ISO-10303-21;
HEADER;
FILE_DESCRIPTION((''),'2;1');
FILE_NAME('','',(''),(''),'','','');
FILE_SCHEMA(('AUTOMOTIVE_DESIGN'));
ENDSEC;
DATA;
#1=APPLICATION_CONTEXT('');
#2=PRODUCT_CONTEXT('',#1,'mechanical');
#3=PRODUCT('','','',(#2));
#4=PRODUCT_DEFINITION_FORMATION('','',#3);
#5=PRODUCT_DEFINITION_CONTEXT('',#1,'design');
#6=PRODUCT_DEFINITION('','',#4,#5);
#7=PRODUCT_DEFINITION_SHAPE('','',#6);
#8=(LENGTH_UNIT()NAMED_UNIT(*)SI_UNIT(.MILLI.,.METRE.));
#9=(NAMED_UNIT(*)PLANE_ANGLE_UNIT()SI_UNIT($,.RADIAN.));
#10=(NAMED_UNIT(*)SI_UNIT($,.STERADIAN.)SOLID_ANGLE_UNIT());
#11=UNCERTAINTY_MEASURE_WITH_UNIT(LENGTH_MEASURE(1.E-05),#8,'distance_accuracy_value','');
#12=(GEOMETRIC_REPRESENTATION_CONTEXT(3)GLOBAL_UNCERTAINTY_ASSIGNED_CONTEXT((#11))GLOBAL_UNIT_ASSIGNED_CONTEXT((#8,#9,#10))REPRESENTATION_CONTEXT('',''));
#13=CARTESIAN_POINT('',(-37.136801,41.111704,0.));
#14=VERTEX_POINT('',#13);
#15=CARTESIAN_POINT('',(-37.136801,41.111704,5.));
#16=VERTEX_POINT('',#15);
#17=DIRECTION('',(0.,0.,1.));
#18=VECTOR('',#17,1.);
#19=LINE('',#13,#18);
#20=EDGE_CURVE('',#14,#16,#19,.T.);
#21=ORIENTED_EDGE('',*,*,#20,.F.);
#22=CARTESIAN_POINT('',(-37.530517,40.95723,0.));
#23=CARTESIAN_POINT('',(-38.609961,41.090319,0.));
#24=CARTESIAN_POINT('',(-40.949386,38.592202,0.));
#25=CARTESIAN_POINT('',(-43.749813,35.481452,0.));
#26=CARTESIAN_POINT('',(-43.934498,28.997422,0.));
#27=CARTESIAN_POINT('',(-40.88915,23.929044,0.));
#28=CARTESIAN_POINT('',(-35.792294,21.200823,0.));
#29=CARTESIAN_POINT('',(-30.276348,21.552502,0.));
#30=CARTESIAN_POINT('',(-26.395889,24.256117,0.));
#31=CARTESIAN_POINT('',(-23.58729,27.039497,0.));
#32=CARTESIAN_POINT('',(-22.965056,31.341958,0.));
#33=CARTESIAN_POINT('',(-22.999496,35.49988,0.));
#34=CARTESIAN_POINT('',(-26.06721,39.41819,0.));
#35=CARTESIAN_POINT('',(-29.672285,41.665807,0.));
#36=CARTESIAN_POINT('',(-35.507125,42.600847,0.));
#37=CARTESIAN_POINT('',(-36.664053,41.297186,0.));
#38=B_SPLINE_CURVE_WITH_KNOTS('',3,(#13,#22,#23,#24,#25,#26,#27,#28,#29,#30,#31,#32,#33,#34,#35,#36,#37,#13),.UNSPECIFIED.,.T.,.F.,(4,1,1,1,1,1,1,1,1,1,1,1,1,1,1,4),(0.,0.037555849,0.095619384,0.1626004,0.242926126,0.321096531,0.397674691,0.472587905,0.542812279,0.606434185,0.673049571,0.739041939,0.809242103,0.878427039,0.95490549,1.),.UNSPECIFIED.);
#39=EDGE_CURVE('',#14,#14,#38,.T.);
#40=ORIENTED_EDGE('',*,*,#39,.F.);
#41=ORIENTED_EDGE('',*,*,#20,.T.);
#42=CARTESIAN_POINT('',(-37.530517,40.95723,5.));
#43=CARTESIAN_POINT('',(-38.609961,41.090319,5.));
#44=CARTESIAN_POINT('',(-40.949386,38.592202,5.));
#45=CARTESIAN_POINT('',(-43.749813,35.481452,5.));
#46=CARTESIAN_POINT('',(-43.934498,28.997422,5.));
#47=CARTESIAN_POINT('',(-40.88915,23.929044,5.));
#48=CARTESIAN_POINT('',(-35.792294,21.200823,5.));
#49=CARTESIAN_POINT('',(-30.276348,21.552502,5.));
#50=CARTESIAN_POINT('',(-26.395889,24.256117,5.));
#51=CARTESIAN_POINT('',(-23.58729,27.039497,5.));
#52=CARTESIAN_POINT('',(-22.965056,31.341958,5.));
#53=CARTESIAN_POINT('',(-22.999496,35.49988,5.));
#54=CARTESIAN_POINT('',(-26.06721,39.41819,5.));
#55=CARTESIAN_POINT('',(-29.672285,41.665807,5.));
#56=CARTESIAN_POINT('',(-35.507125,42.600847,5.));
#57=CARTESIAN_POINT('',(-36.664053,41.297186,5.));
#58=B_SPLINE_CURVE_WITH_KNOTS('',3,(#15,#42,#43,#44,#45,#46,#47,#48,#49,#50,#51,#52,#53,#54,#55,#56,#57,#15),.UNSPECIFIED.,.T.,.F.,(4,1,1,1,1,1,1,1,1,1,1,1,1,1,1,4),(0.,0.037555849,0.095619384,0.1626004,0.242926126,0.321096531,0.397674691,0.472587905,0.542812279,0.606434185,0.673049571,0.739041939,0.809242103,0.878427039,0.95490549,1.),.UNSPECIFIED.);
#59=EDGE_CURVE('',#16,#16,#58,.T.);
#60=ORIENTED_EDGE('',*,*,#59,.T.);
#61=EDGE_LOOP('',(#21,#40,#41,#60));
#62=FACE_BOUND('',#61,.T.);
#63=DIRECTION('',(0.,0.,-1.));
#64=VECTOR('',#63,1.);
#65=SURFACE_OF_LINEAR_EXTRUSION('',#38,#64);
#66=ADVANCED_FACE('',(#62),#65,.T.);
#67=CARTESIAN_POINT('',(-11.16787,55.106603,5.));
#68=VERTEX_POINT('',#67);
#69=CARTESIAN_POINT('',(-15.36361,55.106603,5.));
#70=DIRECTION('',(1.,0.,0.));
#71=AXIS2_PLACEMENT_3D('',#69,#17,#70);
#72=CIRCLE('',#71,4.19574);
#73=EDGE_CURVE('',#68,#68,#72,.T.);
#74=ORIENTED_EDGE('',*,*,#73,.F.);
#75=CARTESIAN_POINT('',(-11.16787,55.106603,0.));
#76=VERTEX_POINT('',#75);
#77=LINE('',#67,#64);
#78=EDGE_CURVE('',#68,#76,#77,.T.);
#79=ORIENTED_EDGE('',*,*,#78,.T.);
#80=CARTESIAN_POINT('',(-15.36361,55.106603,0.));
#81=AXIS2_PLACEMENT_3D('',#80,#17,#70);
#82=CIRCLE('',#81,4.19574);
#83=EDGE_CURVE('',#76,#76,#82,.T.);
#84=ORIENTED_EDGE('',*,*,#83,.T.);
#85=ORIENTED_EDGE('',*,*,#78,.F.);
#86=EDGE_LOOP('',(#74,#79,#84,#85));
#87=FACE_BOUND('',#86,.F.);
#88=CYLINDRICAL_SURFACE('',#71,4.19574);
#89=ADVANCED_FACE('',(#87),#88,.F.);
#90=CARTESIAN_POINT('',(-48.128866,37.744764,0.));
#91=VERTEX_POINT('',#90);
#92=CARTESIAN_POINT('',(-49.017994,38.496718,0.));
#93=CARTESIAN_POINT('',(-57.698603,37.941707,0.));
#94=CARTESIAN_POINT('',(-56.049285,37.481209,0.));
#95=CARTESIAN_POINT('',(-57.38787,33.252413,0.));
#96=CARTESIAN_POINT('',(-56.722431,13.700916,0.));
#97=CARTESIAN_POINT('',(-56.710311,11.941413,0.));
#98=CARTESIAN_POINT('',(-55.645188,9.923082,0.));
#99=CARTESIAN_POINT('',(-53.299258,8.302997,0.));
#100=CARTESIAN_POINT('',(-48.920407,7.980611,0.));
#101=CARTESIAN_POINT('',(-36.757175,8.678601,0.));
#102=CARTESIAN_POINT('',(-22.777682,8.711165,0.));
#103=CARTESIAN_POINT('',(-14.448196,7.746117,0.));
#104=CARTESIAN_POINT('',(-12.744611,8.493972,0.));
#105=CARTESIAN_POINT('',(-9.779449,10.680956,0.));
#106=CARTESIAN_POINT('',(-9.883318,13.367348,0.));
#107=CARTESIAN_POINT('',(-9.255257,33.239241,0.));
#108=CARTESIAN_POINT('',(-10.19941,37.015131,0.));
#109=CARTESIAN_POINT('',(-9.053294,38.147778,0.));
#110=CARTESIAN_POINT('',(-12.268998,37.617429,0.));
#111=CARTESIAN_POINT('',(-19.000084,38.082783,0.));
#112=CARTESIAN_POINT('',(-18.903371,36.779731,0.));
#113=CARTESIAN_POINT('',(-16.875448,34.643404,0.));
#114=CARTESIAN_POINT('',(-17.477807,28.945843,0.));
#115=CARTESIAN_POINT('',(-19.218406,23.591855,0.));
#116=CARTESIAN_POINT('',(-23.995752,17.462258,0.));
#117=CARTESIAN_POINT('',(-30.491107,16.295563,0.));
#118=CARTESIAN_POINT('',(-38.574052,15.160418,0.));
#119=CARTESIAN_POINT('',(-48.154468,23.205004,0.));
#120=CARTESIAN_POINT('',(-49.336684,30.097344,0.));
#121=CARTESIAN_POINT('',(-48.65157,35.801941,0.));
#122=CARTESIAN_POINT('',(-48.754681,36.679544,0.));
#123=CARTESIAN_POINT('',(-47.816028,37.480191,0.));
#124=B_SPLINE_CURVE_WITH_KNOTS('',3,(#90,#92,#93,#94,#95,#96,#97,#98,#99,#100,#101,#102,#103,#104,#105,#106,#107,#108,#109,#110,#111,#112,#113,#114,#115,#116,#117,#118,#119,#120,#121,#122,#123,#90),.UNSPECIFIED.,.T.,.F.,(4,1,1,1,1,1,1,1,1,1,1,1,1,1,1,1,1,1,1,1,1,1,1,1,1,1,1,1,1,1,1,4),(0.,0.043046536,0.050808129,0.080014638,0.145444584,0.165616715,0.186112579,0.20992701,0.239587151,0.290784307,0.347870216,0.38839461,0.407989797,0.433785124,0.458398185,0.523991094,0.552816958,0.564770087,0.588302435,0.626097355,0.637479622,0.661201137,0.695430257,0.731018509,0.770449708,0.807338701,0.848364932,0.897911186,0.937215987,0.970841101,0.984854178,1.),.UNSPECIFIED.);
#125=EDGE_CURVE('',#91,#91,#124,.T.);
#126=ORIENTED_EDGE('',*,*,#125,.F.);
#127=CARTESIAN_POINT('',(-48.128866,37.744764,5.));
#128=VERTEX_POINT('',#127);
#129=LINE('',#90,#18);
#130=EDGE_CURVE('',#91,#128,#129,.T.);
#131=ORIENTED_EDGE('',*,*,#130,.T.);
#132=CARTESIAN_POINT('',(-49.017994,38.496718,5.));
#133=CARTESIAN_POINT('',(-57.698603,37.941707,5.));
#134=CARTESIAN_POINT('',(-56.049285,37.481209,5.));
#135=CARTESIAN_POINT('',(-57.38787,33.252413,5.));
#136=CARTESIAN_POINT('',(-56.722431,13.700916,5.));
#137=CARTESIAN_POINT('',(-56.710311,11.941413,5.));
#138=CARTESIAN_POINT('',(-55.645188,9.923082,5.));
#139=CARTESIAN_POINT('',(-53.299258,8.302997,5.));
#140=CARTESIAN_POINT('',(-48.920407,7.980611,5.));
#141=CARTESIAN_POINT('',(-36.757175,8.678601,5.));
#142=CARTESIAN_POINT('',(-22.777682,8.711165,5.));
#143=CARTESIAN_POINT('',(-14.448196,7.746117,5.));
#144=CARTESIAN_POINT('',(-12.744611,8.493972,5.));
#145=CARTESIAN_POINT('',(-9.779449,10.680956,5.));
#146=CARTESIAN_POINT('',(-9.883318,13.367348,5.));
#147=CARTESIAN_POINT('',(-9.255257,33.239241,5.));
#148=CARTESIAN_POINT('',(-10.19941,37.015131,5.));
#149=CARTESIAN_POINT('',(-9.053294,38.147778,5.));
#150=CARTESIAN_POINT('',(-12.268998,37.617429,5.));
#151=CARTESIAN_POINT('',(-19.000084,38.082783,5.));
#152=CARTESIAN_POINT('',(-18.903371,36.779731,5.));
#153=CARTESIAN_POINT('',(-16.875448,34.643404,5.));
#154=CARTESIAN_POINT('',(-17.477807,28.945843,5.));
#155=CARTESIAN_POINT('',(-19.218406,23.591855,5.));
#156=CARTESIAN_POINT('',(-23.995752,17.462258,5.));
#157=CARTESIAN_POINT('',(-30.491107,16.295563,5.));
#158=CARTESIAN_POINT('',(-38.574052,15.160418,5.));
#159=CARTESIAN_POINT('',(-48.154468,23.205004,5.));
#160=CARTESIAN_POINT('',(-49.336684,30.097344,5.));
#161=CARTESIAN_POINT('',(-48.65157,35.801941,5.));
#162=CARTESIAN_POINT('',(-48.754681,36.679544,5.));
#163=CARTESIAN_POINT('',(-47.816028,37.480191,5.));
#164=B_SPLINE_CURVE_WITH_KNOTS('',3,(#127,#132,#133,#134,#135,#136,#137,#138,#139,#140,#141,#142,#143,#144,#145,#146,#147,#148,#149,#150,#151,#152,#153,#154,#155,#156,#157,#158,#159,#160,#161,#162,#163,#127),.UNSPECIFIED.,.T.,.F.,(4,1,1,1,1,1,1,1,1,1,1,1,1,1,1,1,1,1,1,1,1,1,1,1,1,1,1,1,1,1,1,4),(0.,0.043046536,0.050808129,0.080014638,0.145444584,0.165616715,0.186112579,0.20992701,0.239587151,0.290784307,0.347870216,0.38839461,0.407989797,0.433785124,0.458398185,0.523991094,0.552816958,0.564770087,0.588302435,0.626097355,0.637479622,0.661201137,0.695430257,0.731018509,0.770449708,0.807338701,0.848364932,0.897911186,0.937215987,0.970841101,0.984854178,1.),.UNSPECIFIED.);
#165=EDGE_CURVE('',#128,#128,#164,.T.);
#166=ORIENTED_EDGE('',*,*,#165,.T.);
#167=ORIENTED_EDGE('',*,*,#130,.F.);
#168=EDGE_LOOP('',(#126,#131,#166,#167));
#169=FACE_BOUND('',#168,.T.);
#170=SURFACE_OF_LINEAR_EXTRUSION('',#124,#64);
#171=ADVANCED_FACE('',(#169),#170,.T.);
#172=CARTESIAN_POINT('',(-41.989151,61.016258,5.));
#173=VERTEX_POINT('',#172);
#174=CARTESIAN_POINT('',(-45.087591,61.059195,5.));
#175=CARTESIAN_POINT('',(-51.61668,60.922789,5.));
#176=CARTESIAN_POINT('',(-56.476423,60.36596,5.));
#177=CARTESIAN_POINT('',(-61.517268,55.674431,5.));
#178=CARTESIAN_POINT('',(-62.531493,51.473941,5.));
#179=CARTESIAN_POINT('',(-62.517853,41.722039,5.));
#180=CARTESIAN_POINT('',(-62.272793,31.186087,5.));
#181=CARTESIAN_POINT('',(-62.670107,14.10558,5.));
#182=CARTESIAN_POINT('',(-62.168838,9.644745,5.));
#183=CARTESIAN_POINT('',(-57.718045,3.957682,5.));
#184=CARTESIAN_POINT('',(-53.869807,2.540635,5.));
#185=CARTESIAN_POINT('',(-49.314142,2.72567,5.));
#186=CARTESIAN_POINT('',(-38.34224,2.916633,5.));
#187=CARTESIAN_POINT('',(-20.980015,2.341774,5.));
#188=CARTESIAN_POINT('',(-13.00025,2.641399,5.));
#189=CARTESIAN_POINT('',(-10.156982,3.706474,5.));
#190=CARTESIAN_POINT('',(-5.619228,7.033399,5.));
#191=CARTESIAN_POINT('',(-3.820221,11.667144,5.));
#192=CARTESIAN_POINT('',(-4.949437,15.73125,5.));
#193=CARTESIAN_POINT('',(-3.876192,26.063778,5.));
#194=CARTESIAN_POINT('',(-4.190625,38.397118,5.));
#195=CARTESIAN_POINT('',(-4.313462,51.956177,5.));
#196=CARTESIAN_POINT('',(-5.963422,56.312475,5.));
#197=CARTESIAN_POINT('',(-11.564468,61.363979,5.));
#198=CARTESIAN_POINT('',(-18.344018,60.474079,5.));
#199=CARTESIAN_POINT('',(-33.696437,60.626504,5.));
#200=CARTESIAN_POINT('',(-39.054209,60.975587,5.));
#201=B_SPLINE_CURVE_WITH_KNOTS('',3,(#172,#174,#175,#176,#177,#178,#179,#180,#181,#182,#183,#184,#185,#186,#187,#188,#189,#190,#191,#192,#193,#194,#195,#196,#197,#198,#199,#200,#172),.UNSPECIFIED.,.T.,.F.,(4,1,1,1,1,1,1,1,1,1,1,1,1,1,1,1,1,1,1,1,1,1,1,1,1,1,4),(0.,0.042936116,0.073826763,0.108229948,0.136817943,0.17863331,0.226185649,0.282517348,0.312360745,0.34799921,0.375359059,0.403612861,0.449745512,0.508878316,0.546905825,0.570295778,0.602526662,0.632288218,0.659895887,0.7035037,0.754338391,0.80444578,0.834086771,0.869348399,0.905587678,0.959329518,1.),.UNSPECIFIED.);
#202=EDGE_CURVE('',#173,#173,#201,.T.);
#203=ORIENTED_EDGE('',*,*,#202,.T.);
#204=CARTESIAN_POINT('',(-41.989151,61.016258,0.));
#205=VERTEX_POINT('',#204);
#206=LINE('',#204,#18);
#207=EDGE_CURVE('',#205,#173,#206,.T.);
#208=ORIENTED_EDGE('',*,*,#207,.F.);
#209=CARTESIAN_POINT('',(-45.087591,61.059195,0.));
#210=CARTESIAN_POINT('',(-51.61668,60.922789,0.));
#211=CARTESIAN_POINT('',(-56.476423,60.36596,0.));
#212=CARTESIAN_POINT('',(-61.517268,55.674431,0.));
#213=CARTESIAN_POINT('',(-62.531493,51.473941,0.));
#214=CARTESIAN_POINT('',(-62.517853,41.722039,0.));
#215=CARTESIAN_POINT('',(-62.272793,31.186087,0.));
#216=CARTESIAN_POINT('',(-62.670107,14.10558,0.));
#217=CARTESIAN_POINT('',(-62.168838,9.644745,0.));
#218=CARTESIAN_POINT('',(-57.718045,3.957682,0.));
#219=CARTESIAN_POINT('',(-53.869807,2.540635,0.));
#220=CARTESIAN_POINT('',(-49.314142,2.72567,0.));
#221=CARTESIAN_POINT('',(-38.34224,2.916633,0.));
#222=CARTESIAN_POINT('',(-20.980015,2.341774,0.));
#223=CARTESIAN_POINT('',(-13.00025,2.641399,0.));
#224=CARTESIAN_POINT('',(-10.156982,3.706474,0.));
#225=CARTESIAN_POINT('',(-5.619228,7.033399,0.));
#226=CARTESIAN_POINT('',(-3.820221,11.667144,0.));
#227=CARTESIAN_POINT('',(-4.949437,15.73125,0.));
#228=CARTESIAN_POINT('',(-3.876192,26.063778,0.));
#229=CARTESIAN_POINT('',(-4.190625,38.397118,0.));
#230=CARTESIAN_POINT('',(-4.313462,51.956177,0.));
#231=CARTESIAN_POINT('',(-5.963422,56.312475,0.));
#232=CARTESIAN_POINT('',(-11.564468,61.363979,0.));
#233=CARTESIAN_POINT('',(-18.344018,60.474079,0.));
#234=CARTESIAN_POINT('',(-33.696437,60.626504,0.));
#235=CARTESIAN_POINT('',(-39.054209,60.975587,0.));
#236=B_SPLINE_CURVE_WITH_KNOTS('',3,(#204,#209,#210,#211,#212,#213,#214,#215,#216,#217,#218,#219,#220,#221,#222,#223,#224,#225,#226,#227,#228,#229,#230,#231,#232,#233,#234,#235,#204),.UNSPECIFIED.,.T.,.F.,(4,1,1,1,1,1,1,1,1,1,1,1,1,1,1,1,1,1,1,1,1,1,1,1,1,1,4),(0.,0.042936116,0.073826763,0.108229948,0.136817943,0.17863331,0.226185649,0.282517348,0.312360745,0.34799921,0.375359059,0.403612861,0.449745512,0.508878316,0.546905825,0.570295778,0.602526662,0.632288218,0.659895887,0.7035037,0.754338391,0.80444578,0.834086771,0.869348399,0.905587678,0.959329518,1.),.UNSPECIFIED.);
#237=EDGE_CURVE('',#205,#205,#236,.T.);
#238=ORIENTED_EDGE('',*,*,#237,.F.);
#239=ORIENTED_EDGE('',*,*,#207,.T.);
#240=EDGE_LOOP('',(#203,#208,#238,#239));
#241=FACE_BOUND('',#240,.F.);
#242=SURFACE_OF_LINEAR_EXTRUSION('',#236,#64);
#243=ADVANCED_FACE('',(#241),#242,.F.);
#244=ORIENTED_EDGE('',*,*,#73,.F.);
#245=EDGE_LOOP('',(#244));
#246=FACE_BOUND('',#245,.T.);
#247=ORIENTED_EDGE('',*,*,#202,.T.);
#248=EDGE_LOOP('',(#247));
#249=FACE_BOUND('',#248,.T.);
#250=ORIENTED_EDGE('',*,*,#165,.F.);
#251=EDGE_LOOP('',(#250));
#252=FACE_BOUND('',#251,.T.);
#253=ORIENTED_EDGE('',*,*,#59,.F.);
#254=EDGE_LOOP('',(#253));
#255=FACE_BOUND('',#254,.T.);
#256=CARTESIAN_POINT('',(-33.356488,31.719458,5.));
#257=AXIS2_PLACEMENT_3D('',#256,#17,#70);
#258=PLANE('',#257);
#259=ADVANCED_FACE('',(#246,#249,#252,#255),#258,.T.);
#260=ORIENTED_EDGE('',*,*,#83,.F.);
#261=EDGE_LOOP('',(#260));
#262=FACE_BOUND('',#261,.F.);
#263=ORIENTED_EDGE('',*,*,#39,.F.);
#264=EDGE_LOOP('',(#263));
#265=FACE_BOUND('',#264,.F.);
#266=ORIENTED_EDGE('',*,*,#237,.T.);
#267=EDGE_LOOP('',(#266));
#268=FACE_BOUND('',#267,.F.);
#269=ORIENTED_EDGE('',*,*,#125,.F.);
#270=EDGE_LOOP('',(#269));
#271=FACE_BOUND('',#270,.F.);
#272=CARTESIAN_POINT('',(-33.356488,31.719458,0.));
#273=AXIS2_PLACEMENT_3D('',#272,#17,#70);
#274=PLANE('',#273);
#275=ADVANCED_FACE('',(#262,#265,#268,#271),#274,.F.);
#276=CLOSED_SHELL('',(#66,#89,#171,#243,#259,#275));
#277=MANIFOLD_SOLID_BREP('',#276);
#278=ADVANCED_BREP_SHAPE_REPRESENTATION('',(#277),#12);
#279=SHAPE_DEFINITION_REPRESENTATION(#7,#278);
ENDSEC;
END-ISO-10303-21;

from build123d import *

# Parameters (mm, degrees)
F1_DEPTH = 5
F2_R     = 4.1957402055
F3_DEPTH = 5


with BuildPart() as f1:
    # F0 (on Top) → F1 (new body)
    with BuildSketch(Plane.XY):
        with BuildLine():
            add(Edge.make_bspline(
                [(-41.9891513884, 61.0162578523), (-45.0875907511, 61.0591948034), (-51.6166800483, 60.9227890538), (-56.4764227085, 60.3659597972), (-61.5172684029, 55.6744307545), (-62.5314929926, 51.473941242), (-62.5178528619, 41.7220387292), (-62.2727928866, 31.186087383), (-62.6701071498, 14.1055798656), (-62.1688376347, 9.6447450556), (-57.718044637, 3.9576818298), (-53.8698065032, 2.5406350813), (-49.3141423448, 2.7256698678), (-38.3422401008, 2.9166328899), (-20.9800154438, 2.3417741933), (-13.0002502084, 2.6413988836), (-10.1569819552, 3.7064735755), (-5.6192278214, 7.0333987942), (-3.8202210476, 11.667144241), (-4.9494366363, 15.7312497453), (-3.8761922032, 26.0637779537), (-4.1906252817, 38.3971176223), (-4.3134623912, 51.9561767207), (-5.9634216252, 56.3124754319), (-11.5644676321, 61.3639785058), (-18.3440176038, 60.4740791891), (-33.6964370621, 60.6265044862), (-39.0542090925, 60.9755865792), (-41.9891513884, 61.0162578523)],
                knots=[0, 0, 0, 0, 0.0429361156, 0.0738267634, 0.1082299477, 0.1368179428, 0.1786333102, 0.2261856486, 0.2825173475, 0.3123607454, 0.3479992102, 0.3753590592, 0.4036128612, 0.449745512, 0.5088783159, 0.5469058247, 0.5702957776, 0.6025266615, 0.6322882182, 0.6598958872, 0.7035037003, 0.7543383914, 0.8044457801, 0.8340867712, 0.8693483995, 0.9055876779, 0.9593295182, 1, 1, 1, 1], degree=3))
        make_face()
        with BuildLine():
            add(Edge.make_bspline(
                [(-48.1288656592, 37.7447642386), (-49.0179938095, 38.4967180231), (-57.6986033983, 37.9417066646), (-56.0492846949, 37.4812093022), (-57.3878696396, 33.2524131809), (-56.7224314764, 13.7009162316), (-56.7103106019, 11.9414125292), (-55.6451880606, 9.9230821612), (-53.2992582968, 8.3029974234), (-48.9204074853, 7.9806110007), (-36.7571749604, 8.6786010286), (-22.7776818189, 8.7111648316), (-14.4481958763, 7.7461165637), (-12.7446111061, 8.4939722767), (-9.7794488313, 10.6809562199), (-9.8833179098, 13.3673479929), (-9.2552574775, 33.2392408922), (-10.1994103117, 37.0151313271), (-9.0532935014, 38.1477776436), (-12.2689984098, 37.6174289043), (-19.0000843988, 38.0827826196), (-18.9033705965, 36.7797309591), (-16.8754483662, 34.6434043114), (-17.4778065946, 28.9458434246), (-19.2184057224, 23.5918547783), (-23.9957518583, 17.4622575725), (-30.4911069276, 16.2955625187), (-38.5740520491, 15.1604175278), (-48.1544680644, 23.205004396), (-49.3366839674, 30.0973435805), (-48.6515701546, 35.801940861), (-48.7546814683, 36.6795438898), (-47.8160280223, 37.4801910778), (-48.1288656592, 37.7447642386)],
                knots=[0, 0, 0, 0, 0.0430465364, 0.0508081292, 0.080014638, 0.1454445843, 0.1656167154, 0.1861125794, 0.2099270103, 0.2395871511, 0.2907843072, 0.347870216, 0.3883946101, 0.4079897969, 0.4337851236, 0.4583981851, 0.5239910938, 0.5528169576, 0.5647700869, 0.5883024349, 0.6260973549, 0.6374796223, 0.6612011371, 0.6954302569, 0.7310185089, 0.7704497079, 0.8073387013, 0.848364932, 0.8979111859, 0.9372159873, 0.9708411007, 0.984854178, 1, 1, 1, 1], degree=3))
        make_face(mode=Mode.SUBTRACT)
        with BuildLine():
            add(Edge.make_bspline(
                [(-37.1368005872, 41.1117039621), (-37.5305168917, 40.9572297674), (-38.6099610115, 41.0903192121), (-40.9493855311, 38.5922018741), (-43.7498125743, 35.4814520251), (-43.9344978853, 28.9974222132), (-40.8891498035, 23.9290441693), (-35.7922943583, 21.2008229641), (-30.2763481014, 21.552501768), (-26.3958885666, 24.2561169839), (-23.5872897775, 27.0394965135), (-22.9650562306, 31.3419576838), (-22.9994962765, 35.4998800833), (-26.0672103552, 39.418189909), (-29.6722850778, 41.6658074316), (-35.5071252033, 42.6008468575), (-36.6640528218, 41.2971860706), (-37.1368005872, 41.1117039621)],
                knots=[0, 0, 0, 0, 0.0375558493, 0.095619384, 0.1626003998, 0.2429261255, 0.3210965308, 0.397674691, 0.4725879054, 0.5428122788, 0.6064341852, 0.6730495709, 0.7390419387, 0.8092421034, 0.8784270394, 0.9549054899, 1, 1, 1, 1], degree=3))
        make_face(mode=Mode.SUBTRACT)
    extrude(amount=F1_DEPTH)

    # F2 (on face) → F3 (cut)
    with BuildSketch(Plane.XY.offset(5)):
        with Locations((-15.3636103496, 55.1066026092)):
            Circle(F2_R)
    extrude(amount=-F3_DEPTH, mode=Mode.SUBTRACT)


solid = f1.part
